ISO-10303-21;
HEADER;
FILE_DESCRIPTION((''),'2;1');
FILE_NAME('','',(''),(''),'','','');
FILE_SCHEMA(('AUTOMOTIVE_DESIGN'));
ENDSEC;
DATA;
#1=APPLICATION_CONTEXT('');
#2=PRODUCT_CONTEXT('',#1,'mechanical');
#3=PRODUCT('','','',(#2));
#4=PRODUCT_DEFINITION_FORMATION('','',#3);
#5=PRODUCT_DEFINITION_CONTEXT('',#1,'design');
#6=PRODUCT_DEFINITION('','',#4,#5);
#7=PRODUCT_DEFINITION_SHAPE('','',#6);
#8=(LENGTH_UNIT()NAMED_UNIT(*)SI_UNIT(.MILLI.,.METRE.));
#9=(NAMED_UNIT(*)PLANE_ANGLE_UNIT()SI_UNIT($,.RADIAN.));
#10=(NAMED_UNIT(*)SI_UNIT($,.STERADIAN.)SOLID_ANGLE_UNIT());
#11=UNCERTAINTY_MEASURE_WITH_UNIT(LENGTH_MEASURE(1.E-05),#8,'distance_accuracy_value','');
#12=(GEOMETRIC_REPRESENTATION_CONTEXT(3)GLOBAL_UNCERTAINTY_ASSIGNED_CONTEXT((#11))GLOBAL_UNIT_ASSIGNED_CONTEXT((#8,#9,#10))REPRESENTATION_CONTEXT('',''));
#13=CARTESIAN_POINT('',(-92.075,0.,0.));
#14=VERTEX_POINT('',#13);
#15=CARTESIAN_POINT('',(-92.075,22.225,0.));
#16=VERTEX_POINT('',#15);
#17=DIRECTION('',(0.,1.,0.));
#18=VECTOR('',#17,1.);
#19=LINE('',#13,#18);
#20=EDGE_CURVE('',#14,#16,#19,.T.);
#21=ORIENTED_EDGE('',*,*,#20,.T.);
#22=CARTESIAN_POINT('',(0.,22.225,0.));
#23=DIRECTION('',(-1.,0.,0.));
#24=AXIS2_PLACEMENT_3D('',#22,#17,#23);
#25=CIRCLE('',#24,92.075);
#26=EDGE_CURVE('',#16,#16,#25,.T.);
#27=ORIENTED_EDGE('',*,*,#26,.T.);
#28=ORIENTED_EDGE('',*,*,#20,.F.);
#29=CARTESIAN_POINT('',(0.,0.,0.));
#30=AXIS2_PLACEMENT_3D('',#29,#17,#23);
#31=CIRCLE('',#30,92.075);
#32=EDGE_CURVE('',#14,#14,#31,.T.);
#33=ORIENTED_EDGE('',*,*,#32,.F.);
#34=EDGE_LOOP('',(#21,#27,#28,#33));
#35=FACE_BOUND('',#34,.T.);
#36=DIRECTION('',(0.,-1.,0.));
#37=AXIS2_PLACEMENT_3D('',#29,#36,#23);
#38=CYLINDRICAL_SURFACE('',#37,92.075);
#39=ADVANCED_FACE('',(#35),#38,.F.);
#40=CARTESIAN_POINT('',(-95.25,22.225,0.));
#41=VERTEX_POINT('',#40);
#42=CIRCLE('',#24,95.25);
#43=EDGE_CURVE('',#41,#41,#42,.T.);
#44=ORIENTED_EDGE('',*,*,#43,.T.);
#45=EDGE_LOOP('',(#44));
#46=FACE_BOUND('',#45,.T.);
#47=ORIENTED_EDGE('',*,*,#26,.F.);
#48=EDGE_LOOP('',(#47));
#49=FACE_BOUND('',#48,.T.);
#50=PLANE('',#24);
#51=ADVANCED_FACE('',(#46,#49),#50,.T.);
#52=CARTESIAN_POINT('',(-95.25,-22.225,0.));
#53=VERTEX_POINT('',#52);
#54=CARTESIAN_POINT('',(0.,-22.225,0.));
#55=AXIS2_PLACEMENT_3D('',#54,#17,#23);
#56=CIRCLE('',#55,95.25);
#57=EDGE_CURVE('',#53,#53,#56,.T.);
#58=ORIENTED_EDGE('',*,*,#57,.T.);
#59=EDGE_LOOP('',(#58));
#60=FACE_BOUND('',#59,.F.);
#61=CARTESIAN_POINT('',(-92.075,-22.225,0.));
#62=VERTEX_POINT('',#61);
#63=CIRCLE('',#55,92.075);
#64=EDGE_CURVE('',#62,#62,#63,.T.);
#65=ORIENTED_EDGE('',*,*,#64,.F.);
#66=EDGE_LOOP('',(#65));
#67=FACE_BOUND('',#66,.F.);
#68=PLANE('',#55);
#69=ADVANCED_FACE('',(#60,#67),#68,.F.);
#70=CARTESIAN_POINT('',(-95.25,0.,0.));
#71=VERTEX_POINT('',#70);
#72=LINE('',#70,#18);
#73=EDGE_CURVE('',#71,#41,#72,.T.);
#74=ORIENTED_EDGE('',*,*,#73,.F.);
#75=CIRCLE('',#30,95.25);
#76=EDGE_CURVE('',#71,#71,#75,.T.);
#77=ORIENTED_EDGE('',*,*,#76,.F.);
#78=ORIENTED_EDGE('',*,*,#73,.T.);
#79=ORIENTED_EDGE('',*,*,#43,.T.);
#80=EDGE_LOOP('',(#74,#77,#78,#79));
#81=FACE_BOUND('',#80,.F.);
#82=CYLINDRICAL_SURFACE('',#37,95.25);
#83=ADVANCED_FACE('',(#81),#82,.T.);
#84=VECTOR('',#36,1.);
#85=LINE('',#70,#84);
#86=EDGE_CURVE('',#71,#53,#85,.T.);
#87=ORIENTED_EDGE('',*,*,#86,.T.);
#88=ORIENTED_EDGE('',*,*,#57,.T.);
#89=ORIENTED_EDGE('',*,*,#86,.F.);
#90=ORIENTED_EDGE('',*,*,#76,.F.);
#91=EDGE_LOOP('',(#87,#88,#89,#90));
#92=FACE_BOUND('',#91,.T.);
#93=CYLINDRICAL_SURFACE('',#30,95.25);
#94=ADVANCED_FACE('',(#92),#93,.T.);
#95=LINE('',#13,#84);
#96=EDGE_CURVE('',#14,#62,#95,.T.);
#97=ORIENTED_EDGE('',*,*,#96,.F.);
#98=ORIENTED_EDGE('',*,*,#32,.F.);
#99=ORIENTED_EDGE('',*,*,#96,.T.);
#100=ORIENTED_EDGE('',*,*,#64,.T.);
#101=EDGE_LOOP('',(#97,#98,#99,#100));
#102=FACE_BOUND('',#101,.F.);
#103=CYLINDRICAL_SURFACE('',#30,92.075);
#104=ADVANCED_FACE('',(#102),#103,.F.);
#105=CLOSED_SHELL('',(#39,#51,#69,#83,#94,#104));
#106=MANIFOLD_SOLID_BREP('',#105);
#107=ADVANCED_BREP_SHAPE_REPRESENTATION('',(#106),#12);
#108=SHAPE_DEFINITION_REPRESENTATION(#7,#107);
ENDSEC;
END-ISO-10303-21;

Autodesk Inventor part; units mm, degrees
ref_plane "YZ Plane" through (0, 0, 0) normal (1, 0, 0) x (0, 1, 0)
ref_plane "XZ Plane" through (0, 0, 0) normal (0, 1, 0) x (-1, 0, 0)
ref_plane "XY Plane" through (0, 0, 0) normal (0, 0, 1) x (1, 0, 0)
sketch "Sketch1" plane through (0, 0, 0) normal (0, 1, 0) x (-1, 0, 0)
  circle A0 centre (0, 0) radius 95.25
  circle A1 centre (0, 0) radius 92.075
  dimension "d0" = 190.5
  dimension "d4" = 3.175
extrude "Extrusion1" add sketch "Sketch1" along normal mid plane 44.45
equation "\"d4\" = wallThickness"
equation "\"outerDiameter\" = 190.5"
equation "\"wallThickness\" = 3.175"
properties part number "simulatedWheel"
